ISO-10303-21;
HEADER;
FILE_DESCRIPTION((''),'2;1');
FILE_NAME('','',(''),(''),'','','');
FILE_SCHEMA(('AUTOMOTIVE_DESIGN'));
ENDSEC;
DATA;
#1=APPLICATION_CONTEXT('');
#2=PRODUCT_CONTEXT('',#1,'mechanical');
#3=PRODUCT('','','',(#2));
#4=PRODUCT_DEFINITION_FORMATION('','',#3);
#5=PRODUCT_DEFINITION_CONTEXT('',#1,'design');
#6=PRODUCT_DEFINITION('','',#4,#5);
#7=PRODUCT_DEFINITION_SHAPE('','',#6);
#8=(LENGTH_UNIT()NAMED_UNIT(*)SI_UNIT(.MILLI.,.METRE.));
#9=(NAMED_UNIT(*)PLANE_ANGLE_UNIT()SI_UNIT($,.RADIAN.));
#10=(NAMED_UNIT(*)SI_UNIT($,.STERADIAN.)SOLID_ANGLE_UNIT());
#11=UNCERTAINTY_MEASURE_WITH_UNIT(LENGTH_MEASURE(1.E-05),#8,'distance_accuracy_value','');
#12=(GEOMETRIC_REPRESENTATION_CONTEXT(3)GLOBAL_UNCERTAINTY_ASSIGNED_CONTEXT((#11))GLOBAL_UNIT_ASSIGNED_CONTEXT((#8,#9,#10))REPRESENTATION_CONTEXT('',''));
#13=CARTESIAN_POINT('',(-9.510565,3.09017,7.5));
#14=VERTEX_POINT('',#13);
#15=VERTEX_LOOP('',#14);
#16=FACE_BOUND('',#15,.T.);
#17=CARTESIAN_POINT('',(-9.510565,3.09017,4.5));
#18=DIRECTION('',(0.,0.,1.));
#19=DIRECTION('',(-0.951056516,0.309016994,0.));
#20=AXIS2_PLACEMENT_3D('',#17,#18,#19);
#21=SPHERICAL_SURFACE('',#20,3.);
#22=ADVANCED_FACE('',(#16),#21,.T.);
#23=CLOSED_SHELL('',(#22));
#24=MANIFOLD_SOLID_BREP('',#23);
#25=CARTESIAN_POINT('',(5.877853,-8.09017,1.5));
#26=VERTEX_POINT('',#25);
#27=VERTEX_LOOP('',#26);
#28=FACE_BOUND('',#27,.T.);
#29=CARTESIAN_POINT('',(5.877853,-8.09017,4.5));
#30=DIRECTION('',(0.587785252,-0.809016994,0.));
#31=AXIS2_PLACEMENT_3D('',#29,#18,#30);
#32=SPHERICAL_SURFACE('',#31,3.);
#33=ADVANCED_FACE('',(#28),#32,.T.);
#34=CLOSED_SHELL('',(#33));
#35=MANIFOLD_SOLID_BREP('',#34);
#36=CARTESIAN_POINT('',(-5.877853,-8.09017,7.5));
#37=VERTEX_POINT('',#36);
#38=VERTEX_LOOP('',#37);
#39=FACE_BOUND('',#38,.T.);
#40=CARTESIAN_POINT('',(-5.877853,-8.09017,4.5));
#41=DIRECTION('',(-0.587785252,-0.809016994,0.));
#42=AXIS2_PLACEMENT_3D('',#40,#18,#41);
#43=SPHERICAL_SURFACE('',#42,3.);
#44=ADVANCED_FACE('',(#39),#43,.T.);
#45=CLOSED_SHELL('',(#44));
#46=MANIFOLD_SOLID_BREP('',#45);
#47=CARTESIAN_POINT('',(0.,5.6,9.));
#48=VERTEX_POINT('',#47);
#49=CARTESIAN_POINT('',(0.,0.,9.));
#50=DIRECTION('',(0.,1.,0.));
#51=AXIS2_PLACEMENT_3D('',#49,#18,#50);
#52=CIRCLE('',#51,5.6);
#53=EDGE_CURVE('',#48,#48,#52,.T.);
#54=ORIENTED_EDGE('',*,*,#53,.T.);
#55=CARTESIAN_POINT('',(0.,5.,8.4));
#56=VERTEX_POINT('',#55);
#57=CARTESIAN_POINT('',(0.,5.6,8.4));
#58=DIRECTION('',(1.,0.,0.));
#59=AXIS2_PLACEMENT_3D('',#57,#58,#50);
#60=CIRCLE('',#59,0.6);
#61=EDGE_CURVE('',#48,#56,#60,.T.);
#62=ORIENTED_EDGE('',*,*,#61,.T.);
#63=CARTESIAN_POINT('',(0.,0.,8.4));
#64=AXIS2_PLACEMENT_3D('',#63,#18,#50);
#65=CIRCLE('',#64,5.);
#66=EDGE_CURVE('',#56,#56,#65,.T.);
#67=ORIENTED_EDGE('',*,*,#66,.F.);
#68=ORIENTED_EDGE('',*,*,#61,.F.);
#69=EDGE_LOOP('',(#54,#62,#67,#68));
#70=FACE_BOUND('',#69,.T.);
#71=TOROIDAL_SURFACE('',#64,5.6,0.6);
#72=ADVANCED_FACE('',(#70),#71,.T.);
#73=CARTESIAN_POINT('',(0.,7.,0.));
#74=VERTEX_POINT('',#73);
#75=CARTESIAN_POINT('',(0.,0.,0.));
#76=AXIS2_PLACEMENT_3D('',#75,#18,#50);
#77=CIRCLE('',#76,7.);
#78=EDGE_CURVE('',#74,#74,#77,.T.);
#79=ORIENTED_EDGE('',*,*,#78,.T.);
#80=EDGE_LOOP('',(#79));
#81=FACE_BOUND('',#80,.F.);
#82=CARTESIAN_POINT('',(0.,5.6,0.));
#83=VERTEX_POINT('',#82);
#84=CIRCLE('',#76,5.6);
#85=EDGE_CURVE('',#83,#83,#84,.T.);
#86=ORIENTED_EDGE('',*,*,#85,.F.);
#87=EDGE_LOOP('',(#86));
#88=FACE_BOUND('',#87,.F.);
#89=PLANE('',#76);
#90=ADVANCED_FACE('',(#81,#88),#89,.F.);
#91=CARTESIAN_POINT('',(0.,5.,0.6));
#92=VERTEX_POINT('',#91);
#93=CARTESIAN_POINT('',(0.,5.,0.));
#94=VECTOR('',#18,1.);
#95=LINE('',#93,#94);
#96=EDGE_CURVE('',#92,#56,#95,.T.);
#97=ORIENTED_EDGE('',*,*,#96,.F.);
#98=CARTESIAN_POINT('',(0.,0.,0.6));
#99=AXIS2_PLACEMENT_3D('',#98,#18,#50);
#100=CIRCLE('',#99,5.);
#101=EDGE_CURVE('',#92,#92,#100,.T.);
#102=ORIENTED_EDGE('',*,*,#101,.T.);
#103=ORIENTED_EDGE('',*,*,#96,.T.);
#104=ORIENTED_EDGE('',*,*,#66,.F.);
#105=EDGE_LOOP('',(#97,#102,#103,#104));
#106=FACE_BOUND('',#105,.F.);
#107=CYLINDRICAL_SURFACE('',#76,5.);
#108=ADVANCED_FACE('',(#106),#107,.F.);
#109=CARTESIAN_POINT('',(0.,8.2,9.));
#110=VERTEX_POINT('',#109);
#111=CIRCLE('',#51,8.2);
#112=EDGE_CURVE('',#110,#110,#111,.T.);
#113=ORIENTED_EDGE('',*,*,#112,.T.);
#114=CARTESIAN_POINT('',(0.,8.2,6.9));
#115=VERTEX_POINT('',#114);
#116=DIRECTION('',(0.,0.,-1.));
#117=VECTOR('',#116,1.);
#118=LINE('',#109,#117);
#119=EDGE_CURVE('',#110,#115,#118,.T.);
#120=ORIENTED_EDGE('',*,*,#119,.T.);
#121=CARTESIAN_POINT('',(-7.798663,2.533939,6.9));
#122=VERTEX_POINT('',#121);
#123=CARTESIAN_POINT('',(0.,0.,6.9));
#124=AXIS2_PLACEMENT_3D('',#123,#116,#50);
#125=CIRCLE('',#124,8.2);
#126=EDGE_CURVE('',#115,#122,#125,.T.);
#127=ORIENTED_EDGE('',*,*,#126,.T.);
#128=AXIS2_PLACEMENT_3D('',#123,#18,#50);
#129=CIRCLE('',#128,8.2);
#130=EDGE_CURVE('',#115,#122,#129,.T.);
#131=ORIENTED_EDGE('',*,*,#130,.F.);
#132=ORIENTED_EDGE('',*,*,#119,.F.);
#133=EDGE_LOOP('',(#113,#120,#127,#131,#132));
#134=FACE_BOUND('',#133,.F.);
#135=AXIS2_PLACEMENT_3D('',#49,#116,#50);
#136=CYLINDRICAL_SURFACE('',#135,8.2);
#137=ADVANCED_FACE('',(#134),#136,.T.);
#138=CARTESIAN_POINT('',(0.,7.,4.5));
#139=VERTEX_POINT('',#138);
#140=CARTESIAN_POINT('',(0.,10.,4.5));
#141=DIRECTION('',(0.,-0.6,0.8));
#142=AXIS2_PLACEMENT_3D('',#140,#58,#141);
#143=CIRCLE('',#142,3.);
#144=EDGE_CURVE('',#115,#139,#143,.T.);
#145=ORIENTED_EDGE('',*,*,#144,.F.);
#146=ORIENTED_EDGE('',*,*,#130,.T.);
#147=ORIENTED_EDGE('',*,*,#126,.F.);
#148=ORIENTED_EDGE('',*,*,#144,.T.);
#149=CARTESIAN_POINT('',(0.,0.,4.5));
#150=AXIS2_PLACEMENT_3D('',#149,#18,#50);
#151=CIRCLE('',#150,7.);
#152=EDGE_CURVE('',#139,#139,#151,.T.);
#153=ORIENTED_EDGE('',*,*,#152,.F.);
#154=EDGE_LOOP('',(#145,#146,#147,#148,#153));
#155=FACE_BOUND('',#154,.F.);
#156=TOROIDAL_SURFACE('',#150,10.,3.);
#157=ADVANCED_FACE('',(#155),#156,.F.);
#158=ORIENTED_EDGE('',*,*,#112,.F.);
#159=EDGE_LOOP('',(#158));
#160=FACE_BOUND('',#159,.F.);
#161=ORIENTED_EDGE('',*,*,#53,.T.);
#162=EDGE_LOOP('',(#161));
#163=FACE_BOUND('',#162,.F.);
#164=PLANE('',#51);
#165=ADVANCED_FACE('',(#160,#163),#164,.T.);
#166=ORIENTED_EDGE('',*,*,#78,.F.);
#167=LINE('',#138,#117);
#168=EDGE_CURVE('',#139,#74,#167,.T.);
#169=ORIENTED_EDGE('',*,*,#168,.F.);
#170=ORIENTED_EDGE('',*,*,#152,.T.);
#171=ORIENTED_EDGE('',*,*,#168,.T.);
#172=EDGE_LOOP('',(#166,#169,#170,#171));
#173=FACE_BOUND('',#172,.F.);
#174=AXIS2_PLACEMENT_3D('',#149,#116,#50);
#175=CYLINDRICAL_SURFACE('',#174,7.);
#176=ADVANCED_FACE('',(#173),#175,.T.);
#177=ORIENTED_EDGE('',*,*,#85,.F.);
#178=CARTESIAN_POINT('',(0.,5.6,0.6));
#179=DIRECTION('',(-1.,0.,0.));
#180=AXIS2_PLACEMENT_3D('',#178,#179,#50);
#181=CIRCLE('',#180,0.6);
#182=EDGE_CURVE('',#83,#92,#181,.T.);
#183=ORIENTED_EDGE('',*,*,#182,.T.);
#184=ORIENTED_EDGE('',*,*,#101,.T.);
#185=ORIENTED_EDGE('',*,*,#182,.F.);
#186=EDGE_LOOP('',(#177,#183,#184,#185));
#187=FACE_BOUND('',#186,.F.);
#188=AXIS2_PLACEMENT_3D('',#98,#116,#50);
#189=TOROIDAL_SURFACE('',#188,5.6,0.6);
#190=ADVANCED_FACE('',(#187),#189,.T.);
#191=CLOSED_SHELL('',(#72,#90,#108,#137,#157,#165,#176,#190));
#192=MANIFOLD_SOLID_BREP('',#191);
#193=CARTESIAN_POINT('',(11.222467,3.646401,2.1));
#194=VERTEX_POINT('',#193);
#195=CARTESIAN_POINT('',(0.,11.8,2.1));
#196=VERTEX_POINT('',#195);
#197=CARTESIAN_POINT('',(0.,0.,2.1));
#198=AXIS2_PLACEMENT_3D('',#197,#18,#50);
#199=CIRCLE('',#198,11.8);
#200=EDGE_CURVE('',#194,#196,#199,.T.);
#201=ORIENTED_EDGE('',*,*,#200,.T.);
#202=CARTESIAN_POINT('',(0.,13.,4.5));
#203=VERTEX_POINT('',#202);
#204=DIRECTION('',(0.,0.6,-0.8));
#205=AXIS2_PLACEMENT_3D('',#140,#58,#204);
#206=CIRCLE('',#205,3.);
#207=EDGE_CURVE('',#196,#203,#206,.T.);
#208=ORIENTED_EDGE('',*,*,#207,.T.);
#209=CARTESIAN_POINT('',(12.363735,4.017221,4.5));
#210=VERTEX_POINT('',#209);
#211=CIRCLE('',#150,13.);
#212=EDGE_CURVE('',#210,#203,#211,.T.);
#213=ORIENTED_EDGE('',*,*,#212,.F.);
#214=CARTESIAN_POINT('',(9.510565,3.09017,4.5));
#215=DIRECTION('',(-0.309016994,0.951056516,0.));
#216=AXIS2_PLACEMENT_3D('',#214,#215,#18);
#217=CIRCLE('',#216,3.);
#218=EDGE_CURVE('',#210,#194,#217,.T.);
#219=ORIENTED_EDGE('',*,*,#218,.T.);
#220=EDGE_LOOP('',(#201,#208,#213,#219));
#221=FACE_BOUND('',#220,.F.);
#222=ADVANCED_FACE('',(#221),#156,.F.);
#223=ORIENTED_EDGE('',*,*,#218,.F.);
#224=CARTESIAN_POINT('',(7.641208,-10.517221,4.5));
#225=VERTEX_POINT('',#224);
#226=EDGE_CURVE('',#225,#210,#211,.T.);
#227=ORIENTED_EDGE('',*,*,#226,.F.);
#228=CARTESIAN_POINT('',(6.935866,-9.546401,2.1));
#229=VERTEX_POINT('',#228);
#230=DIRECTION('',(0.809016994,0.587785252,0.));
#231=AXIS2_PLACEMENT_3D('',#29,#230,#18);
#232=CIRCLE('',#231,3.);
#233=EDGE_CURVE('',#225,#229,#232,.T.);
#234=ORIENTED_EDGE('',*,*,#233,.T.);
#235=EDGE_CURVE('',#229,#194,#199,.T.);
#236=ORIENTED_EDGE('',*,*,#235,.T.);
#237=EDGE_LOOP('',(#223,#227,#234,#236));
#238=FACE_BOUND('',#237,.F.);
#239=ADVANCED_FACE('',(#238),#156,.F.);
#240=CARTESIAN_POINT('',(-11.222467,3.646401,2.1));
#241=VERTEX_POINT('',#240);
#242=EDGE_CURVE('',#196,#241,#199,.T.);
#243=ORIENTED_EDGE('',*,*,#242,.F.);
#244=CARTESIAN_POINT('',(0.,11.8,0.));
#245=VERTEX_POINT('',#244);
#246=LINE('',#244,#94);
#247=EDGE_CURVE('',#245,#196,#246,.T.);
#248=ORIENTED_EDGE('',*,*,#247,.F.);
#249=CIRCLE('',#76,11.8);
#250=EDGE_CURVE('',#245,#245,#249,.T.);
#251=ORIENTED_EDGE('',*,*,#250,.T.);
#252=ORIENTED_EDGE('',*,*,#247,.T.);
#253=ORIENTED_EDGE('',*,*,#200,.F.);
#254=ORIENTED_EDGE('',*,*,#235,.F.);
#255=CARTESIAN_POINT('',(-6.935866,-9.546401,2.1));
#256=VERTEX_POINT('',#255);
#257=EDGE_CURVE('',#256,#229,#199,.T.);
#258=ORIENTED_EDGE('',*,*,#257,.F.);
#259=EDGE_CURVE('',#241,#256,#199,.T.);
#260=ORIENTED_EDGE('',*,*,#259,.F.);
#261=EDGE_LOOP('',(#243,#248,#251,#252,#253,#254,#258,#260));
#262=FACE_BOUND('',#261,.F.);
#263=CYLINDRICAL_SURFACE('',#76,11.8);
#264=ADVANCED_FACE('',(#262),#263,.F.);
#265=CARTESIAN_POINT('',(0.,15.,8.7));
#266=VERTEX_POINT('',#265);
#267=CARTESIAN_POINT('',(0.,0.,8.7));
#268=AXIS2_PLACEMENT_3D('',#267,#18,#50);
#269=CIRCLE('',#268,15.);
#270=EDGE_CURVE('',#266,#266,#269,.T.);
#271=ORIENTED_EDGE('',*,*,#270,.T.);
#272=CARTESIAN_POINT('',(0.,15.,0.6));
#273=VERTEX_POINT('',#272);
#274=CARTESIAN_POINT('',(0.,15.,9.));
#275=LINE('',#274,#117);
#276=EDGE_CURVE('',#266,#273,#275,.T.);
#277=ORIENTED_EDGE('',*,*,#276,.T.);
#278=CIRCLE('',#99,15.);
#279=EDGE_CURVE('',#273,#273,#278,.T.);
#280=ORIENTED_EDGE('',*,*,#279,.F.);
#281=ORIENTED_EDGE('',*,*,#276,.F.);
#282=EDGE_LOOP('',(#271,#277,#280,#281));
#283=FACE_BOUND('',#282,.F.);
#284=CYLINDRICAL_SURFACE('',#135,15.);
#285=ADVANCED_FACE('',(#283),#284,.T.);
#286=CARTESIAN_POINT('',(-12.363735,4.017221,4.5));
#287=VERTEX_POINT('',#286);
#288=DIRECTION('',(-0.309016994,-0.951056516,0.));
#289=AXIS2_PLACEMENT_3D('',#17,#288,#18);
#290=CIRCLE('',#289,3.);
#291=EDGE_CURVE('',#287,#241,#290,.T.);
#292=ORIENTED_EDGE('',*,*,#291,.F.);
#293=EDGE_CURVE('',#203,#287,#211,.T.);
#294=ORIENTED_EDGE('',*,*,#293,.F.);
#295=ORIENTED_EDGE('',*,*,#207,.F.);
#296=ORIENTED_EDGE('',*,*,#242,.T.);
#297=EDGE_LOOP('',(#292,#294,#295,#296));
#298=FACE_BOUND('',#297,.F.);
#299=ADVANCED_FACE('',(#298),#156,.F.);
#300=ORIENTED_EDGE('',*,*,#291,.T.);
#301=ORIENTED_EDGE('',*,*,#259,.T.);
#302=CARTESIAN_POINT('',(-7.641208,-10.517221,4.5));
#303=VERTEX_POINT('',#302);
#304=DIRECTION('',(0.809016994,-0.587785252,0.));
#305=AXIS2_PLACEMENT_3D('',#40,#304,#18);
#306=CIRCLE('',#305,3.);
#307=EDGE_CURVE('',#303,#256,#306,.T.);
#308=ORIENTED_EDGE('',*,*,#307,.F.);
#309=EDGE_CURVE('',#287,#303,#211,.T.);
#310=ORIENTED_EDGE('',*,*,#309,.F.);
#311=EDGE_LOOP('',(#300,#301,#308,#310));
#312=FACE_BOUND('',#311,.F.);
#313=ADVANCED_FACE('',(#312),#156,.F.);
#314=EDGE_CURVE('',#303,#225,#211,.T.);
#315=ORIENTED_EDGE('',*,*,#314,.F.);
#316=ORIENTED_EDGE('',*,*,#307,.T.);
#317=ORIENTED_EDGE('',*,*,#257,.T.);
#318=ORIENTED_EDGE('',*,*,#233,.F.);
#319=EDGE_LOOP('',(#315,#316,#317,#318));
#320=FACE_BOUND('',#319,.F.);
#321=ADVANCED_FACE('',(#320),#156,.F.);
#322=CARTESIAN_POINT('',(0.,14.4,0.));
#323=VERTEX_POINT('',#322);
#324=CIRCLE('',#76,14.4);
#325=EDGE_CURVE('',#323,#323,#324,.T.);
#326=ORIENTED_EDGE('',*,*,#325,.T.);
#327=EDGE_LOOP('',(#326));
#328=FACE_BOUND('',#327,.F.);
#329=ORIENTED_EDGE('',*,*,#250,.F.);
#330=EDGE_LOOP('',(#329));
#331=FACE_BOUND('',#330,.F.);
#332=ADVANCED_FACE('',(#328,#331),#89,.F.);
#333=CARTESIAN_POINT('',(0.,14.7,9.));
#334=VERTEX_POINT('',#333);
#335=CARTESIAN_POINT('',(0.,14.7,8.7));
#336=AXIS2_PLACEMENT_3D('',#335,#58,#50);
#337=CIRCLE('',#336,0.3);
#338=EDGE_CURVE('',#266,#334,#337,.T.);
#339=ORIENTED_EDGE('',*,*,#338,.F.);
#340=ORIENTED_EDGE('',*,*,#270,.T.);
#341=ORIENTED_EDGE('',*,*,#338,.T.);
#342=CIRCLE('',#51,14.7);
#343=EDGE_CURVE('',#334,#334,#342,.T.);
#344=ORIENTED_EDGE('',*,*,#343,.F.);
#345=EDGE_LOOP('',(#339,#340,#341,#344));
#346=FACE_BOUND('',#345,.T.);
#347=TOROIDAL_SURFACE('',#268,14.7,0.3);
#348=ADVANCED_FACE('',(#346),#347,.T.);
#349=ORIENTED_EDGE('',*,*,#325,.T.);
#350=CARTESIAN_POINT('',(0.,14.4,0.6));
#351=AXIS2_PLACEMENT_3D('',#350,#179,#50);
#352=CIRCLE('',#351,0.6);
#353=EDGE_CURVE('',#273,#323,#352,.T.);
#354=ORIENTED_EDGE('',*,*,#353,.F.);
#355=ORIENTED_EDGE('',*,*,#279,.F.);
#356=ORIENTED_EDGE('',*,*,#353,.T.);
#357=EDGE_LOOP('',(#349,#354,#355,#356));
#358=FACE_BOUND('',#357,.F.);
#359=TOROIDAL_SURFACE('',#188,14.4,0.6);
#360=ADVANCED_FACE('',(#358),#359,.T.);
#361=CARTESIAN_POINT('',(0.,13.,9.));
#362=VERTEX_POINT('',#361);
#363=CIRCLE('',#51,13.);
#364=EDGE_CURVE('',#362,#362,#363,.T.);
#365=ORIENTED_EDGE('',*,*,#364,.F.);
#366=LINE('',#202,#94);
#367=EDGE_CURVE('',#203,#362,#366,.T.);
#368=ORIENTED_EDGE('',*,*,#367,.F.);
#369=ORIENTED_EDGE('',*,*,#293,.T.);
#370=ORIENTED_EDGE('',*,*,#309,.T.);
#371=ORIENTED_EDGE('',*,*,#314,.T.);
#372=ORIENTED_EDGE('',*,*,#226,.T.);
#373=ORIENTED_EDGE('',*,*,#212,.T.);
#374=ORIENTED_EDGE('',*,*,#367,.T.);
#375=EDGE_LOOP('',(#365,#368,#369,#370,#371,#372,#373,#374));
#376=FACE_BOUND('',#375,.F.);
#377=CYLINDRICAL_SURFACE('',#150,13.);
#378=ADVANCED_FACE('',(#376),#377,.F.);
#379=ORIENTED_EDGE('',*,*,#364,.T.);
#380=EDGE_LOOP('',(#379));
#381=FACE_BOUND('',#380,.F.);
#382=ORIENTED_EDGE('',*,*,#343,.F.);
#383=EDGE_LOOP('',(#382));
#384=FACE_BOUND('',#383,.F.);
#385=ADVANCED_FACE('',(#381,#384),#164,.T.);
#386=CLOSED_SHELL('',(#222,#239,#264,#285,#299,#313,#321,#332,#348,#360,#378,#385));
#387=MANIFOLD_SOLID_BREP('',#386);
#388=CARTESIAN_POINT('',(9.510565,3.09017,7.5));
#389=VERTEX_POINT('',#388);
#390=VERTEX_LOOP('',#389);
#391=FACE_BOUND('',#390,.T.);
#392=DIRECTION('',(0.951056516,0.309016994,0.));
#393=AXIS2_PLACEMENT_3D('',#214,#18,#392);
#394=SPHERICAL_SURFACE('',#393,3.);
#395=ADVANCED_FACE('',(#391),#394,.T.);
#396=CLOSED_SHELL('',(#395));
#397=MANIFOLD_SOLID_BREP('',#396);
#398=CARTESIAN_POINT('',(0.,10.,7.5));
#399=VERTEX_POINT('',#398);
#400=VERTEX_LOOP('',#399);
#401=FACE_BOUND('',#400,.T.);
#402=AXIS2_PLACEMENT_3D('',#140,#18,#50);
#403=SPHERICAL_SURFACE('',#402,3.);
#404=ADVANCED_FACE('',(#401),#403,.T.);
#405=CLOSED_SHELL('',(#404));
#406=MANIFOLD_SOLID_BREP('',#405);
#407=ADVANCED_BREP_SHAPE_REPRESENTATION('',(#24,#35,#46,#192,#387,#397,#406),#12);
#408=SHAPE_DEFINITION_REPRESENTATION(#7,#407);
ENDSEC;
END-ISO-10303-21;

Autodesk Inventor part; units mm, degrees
ref_plane "WorkPlane1" through (0, 0, 0) normal (0, 0, 1) x (1, 0, 0)
ref_plane "Work Plane2" through (0, 0, -9) normal (0, 0, 1) x (1, 0, 0)
ref_plane "WorkPlane2" through (0, 0, 14) normal (0, 0, 1) x (1, 0, 0)
sketch "Schizzo1" plane through (0, 0, 0) normal (-1, 0, 0) x (0, -1, 0)
  point P0 (0, 0)
sketch "Schizzo2" plane through (0, 0, 0) normal (0, 0, 1) x (1, 0, 0)
  point P0 (0, 0)
sketch "Schizzo3" plane through (0, 0, 14) normal (0, 0, 1) x (1, 0, 0)
  point P0 (0, 0)
sketch "Schizzo4" plane through (0, 0, 0) normal (1, 0, 0) x (0, 1, 0)
  line L0 (15, 0) -> (5, 0)
  line L1 (15, 9) -> (15, 0)
  line L2 (5, 9) -> (15, 9)
  line L3 (5, 0) -> (5, 9)
  line L4 (0, -3.737) -> (0, 15.9311) construction
  line L5 (0, -3.737) -> (0, 15.9311)
  line L6 (0, -7.6706) -> (0, 19.8647) projected
  line L7 (-4.7, 0) -> (28.2, 0) projected
  dimension "d2" = 5
  dimension "d4" = 15
  dimension "d6" = 9
revolve "Rivoluzione1" add sketch "Schizzo4" angle 360 about axis through (0, 0, -3.737) along (0, 0, 1)
sketch "Schizzo5" plane through (0, 0, 0) normal (1, 0, 0) x (0, 1, 0)
  line L0 (13, 9) -> (8.2, 9)
  line L1 (13, 4.5) -> (13, 9)
  arc A0 (11.8, 2.1) -> (13, 4.5) centre (10, 4.5) ccw
  line L2 (11.8, 0) -> (11.8, 2.1)
  line L3 (7, 0) -> (11.8, 0)
  line L4 (7, 4.5) -> (7, 0)
  arc A1 (8.2, 6.9) -> (7, 4.5) centre (10, 4.5) ccw
  line L5 (8.2, 9) -> (8.2, 6.9)
  circle A2 centre (10, 4.5) radius 3 construction
  line L6 (15, 0) -> (-15, 0) construction
  line L7 (15, 9) -> (-15, 9) construction
  line L8 (0, 40.9632) -> (0, -26.9632)
  line L9 (0, -40.5485) -> (0, 54.5485) projected
  dimension "d9" = 4.5
  dimension "d11" = 6
  dimension "d21" = 20
  dimension "d22" = 16.4
  dimension "d23" = 23.6
revolve "Rivoluzione2" cut sketch "Schizzo5" angle 360 about axis through (0, 0, 40.9632) along (0, 0, 1)
sketch "Schizzo6" plane through (0, 0, 0) normal (1, 0, 0) x (0, 1, 0)
  line L0 (10, 1.5) -> (10, 7.5)
  arc A0 (10, 1.5) -> (10, 7.5) centre (10, 4.5) ccw
  line L1 (10, 12.6754) -> (10, -3.5126) construction
  line L2 (15, 0) -> (-15, 0) construction
  line L3 (10, 12.6754) -> (10, -3.5126)
  arc A1 (8.2, 6.9) -> (7, 4.5) centre (10, 4.5) ccw projected
  line L4 (13, 4.5) -> (-13, 4.5) projected
  dimension "d14" = 3
revolve "Rivoluzione3" add sketch "Schizzo6" angle 360 about axis through (0, 10, 12.6754) along (0, 0, 1)
pattern_circular "Seriepolare1" count 5 over 360 about axis through (0, 0, 0) along (0, 0, 1) of "Rivoluzione3"
fillet "Raccordo1" radius 0.3 1 edges at (0, -15, 9)
fillet "Raccordo2" radius 0.6 3 edges at (0, -15, 0) (0, -5, 9) (0, -5, 0)
equation "\"d19\" = r1"
equation "\"d20\" = r"
equation "\"d2\" = 0.5 * Diam"
equation "\"d4\" = 0.5 * DD"
equation "\"d6\" = B"
equation "\"d9\" = 0.5 * B"
equation "\"d11\" = msp_mdtdk"
equation "\"d21\" = msp_mdtds"
equation "\"d22\" = msp_md"
equation "\"d23\" = msp_vd"
equation "\"d14\" = 0.5 * msp_mdtdk"
equation "\"B\" = 9"
equation "\"r\" = 0.6"
equation "\"msp_mdtdk\" = -0.3 * Diam + 0.3 * DD"
equation "\"msp_mdtds\" = 0.5 * DD + 0.5 * Diam"
equation "\"msp_md\" = msp_mdtds - 0.6 * msp_mdtdk"
equation "\"msp_vd\" = msp_mdtds + 0.6 * msp_mdtdk"
equation "\"r1\" = 0.3"
equation "\"Diam\" = 10"
equation "\"DD\" = 30"
properties part number "BS 290 SKF - SKF 7200 BE" material "Acciaio, Dolce"
